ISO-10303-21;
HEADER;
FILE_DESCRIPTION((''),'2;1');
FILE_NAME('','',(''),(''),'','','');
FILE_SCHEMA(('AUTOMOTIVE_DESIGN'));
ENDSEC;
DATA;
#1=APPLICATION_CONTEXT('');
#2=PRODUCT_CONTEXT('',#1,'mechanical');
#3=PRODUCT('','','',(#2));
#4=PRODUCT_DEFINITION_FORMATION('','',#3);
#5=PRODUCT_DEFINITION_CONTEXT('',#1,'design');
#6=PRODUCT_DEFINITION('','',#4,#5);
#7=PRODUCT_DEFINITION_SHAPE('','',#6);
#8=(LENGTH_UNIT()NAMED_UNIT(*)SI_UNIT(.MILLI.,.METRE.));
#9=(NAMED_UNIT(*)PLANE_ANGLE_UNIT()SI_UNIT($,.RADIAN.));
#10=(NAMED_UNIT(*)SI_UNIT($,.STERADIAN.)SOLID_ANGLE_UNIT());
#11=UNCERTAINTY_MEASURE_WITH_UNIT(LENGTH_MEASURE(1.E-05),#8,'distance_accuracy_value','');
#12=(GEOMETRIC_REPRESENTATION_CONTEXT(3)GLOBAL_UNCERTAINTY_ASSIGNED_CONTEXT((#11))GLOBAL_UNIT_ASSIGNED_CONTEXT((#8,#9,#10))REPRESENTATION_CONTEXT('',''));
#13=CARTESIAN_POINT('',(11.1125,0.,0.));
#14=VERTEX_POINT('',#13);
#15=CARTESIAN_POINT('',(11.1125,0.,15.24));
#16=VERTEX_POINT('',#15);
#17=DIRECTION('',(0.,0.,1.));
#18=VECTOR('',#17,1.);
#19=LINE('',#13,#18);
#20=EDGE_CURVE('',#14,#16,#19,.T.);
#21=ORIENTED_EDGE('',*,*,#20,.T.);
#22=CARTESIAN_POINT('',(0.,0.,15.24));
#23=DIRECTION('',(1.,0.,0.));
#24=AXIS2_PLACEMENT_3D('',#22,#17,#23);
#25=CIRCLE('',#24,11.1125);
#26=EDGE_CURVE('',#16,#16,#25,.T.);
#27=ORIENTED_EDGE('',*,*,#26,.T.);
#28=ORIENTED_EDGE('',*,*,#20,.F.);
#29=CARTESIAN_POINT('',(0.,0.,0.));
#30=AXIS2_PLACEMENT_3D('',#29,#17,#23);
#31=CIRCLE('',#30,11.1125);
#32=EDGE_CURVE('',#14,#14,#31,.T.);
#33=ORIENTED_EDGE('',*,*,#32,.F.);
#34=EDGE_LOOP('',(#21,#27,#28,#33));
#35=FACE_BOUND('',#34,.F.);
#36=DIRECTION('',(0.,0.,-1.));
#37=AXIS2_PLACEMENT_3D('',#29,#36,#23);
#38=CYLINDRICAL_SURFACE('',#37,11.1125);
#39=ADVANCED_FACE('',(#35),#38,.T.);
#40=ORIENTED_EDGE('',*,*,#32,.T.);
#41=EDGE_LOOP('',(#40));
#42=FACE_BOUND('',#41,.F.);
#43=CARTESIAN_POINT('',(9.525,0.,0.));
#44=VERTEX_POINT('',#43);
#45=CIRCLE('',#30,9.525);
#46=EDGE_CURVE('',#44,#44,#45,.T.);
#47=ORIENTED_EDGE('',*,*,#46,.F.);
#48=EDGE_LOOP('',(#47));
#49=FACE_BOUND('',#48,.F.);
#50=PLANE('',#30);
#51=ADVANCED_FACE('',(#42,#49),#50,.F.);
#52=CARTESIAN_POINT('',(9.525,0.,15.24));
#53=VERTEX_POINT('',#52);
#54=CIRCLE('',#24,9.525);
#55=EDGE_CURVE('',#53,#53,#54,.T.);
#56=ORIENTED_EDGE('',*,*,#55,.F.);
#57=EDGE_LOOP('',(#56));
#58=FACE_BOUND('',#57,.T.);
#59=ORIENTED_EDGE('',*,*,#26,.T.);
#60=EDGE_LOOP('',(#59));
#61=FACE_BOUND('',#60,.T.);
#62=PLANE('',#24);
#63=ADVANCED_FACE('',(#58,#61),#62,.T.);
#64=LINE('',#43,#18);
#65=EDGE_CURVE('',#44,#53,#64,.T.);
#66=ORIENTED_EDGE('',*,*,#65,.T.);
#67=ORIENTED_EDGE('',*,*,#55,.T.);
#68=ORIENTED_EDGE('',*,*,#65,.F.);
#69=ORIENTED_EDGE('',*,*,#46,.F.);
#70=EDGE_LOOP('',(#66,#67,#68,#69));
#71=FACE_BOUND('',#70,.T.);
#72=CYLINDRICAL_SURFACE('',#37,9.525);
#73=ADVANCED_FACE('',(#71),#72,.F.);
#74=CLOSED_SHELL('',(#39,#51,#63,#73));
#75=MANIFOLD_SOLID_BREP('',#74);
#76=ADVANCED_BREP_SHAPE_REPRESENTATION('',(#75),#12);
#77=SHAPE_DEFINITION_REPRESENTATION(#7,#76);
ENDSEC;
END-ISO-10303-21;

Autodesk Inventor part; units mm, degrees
ref_plane "YZ Plane" through (0, 0, 0) normal (1, 0, 0) x (0, 1, 0)
ref_plane "XZ Plane" through (0, 0, 0) normal (0, 1, 0) x (-1, 0, 0)
ref_plane "XY Plane" through (0, 0, 0) normal (0, 0, 1) x (1, 0, 0)
sketch "Sketch1" plane through (0, 0, 0) normal (0, 0, 1) x (1, 0, 0)
  circle A0 centre (0, 0) radius 9.525
  circle A1 centre (0, 0) radius 11.1125
  dimension "d0" = 19.05
  dimension "d1" = 22.225
extrude "Extrusion1" add sketch "Sketch1" along normal blind 15.24
properties part number "polycarb_rudder_seal"
